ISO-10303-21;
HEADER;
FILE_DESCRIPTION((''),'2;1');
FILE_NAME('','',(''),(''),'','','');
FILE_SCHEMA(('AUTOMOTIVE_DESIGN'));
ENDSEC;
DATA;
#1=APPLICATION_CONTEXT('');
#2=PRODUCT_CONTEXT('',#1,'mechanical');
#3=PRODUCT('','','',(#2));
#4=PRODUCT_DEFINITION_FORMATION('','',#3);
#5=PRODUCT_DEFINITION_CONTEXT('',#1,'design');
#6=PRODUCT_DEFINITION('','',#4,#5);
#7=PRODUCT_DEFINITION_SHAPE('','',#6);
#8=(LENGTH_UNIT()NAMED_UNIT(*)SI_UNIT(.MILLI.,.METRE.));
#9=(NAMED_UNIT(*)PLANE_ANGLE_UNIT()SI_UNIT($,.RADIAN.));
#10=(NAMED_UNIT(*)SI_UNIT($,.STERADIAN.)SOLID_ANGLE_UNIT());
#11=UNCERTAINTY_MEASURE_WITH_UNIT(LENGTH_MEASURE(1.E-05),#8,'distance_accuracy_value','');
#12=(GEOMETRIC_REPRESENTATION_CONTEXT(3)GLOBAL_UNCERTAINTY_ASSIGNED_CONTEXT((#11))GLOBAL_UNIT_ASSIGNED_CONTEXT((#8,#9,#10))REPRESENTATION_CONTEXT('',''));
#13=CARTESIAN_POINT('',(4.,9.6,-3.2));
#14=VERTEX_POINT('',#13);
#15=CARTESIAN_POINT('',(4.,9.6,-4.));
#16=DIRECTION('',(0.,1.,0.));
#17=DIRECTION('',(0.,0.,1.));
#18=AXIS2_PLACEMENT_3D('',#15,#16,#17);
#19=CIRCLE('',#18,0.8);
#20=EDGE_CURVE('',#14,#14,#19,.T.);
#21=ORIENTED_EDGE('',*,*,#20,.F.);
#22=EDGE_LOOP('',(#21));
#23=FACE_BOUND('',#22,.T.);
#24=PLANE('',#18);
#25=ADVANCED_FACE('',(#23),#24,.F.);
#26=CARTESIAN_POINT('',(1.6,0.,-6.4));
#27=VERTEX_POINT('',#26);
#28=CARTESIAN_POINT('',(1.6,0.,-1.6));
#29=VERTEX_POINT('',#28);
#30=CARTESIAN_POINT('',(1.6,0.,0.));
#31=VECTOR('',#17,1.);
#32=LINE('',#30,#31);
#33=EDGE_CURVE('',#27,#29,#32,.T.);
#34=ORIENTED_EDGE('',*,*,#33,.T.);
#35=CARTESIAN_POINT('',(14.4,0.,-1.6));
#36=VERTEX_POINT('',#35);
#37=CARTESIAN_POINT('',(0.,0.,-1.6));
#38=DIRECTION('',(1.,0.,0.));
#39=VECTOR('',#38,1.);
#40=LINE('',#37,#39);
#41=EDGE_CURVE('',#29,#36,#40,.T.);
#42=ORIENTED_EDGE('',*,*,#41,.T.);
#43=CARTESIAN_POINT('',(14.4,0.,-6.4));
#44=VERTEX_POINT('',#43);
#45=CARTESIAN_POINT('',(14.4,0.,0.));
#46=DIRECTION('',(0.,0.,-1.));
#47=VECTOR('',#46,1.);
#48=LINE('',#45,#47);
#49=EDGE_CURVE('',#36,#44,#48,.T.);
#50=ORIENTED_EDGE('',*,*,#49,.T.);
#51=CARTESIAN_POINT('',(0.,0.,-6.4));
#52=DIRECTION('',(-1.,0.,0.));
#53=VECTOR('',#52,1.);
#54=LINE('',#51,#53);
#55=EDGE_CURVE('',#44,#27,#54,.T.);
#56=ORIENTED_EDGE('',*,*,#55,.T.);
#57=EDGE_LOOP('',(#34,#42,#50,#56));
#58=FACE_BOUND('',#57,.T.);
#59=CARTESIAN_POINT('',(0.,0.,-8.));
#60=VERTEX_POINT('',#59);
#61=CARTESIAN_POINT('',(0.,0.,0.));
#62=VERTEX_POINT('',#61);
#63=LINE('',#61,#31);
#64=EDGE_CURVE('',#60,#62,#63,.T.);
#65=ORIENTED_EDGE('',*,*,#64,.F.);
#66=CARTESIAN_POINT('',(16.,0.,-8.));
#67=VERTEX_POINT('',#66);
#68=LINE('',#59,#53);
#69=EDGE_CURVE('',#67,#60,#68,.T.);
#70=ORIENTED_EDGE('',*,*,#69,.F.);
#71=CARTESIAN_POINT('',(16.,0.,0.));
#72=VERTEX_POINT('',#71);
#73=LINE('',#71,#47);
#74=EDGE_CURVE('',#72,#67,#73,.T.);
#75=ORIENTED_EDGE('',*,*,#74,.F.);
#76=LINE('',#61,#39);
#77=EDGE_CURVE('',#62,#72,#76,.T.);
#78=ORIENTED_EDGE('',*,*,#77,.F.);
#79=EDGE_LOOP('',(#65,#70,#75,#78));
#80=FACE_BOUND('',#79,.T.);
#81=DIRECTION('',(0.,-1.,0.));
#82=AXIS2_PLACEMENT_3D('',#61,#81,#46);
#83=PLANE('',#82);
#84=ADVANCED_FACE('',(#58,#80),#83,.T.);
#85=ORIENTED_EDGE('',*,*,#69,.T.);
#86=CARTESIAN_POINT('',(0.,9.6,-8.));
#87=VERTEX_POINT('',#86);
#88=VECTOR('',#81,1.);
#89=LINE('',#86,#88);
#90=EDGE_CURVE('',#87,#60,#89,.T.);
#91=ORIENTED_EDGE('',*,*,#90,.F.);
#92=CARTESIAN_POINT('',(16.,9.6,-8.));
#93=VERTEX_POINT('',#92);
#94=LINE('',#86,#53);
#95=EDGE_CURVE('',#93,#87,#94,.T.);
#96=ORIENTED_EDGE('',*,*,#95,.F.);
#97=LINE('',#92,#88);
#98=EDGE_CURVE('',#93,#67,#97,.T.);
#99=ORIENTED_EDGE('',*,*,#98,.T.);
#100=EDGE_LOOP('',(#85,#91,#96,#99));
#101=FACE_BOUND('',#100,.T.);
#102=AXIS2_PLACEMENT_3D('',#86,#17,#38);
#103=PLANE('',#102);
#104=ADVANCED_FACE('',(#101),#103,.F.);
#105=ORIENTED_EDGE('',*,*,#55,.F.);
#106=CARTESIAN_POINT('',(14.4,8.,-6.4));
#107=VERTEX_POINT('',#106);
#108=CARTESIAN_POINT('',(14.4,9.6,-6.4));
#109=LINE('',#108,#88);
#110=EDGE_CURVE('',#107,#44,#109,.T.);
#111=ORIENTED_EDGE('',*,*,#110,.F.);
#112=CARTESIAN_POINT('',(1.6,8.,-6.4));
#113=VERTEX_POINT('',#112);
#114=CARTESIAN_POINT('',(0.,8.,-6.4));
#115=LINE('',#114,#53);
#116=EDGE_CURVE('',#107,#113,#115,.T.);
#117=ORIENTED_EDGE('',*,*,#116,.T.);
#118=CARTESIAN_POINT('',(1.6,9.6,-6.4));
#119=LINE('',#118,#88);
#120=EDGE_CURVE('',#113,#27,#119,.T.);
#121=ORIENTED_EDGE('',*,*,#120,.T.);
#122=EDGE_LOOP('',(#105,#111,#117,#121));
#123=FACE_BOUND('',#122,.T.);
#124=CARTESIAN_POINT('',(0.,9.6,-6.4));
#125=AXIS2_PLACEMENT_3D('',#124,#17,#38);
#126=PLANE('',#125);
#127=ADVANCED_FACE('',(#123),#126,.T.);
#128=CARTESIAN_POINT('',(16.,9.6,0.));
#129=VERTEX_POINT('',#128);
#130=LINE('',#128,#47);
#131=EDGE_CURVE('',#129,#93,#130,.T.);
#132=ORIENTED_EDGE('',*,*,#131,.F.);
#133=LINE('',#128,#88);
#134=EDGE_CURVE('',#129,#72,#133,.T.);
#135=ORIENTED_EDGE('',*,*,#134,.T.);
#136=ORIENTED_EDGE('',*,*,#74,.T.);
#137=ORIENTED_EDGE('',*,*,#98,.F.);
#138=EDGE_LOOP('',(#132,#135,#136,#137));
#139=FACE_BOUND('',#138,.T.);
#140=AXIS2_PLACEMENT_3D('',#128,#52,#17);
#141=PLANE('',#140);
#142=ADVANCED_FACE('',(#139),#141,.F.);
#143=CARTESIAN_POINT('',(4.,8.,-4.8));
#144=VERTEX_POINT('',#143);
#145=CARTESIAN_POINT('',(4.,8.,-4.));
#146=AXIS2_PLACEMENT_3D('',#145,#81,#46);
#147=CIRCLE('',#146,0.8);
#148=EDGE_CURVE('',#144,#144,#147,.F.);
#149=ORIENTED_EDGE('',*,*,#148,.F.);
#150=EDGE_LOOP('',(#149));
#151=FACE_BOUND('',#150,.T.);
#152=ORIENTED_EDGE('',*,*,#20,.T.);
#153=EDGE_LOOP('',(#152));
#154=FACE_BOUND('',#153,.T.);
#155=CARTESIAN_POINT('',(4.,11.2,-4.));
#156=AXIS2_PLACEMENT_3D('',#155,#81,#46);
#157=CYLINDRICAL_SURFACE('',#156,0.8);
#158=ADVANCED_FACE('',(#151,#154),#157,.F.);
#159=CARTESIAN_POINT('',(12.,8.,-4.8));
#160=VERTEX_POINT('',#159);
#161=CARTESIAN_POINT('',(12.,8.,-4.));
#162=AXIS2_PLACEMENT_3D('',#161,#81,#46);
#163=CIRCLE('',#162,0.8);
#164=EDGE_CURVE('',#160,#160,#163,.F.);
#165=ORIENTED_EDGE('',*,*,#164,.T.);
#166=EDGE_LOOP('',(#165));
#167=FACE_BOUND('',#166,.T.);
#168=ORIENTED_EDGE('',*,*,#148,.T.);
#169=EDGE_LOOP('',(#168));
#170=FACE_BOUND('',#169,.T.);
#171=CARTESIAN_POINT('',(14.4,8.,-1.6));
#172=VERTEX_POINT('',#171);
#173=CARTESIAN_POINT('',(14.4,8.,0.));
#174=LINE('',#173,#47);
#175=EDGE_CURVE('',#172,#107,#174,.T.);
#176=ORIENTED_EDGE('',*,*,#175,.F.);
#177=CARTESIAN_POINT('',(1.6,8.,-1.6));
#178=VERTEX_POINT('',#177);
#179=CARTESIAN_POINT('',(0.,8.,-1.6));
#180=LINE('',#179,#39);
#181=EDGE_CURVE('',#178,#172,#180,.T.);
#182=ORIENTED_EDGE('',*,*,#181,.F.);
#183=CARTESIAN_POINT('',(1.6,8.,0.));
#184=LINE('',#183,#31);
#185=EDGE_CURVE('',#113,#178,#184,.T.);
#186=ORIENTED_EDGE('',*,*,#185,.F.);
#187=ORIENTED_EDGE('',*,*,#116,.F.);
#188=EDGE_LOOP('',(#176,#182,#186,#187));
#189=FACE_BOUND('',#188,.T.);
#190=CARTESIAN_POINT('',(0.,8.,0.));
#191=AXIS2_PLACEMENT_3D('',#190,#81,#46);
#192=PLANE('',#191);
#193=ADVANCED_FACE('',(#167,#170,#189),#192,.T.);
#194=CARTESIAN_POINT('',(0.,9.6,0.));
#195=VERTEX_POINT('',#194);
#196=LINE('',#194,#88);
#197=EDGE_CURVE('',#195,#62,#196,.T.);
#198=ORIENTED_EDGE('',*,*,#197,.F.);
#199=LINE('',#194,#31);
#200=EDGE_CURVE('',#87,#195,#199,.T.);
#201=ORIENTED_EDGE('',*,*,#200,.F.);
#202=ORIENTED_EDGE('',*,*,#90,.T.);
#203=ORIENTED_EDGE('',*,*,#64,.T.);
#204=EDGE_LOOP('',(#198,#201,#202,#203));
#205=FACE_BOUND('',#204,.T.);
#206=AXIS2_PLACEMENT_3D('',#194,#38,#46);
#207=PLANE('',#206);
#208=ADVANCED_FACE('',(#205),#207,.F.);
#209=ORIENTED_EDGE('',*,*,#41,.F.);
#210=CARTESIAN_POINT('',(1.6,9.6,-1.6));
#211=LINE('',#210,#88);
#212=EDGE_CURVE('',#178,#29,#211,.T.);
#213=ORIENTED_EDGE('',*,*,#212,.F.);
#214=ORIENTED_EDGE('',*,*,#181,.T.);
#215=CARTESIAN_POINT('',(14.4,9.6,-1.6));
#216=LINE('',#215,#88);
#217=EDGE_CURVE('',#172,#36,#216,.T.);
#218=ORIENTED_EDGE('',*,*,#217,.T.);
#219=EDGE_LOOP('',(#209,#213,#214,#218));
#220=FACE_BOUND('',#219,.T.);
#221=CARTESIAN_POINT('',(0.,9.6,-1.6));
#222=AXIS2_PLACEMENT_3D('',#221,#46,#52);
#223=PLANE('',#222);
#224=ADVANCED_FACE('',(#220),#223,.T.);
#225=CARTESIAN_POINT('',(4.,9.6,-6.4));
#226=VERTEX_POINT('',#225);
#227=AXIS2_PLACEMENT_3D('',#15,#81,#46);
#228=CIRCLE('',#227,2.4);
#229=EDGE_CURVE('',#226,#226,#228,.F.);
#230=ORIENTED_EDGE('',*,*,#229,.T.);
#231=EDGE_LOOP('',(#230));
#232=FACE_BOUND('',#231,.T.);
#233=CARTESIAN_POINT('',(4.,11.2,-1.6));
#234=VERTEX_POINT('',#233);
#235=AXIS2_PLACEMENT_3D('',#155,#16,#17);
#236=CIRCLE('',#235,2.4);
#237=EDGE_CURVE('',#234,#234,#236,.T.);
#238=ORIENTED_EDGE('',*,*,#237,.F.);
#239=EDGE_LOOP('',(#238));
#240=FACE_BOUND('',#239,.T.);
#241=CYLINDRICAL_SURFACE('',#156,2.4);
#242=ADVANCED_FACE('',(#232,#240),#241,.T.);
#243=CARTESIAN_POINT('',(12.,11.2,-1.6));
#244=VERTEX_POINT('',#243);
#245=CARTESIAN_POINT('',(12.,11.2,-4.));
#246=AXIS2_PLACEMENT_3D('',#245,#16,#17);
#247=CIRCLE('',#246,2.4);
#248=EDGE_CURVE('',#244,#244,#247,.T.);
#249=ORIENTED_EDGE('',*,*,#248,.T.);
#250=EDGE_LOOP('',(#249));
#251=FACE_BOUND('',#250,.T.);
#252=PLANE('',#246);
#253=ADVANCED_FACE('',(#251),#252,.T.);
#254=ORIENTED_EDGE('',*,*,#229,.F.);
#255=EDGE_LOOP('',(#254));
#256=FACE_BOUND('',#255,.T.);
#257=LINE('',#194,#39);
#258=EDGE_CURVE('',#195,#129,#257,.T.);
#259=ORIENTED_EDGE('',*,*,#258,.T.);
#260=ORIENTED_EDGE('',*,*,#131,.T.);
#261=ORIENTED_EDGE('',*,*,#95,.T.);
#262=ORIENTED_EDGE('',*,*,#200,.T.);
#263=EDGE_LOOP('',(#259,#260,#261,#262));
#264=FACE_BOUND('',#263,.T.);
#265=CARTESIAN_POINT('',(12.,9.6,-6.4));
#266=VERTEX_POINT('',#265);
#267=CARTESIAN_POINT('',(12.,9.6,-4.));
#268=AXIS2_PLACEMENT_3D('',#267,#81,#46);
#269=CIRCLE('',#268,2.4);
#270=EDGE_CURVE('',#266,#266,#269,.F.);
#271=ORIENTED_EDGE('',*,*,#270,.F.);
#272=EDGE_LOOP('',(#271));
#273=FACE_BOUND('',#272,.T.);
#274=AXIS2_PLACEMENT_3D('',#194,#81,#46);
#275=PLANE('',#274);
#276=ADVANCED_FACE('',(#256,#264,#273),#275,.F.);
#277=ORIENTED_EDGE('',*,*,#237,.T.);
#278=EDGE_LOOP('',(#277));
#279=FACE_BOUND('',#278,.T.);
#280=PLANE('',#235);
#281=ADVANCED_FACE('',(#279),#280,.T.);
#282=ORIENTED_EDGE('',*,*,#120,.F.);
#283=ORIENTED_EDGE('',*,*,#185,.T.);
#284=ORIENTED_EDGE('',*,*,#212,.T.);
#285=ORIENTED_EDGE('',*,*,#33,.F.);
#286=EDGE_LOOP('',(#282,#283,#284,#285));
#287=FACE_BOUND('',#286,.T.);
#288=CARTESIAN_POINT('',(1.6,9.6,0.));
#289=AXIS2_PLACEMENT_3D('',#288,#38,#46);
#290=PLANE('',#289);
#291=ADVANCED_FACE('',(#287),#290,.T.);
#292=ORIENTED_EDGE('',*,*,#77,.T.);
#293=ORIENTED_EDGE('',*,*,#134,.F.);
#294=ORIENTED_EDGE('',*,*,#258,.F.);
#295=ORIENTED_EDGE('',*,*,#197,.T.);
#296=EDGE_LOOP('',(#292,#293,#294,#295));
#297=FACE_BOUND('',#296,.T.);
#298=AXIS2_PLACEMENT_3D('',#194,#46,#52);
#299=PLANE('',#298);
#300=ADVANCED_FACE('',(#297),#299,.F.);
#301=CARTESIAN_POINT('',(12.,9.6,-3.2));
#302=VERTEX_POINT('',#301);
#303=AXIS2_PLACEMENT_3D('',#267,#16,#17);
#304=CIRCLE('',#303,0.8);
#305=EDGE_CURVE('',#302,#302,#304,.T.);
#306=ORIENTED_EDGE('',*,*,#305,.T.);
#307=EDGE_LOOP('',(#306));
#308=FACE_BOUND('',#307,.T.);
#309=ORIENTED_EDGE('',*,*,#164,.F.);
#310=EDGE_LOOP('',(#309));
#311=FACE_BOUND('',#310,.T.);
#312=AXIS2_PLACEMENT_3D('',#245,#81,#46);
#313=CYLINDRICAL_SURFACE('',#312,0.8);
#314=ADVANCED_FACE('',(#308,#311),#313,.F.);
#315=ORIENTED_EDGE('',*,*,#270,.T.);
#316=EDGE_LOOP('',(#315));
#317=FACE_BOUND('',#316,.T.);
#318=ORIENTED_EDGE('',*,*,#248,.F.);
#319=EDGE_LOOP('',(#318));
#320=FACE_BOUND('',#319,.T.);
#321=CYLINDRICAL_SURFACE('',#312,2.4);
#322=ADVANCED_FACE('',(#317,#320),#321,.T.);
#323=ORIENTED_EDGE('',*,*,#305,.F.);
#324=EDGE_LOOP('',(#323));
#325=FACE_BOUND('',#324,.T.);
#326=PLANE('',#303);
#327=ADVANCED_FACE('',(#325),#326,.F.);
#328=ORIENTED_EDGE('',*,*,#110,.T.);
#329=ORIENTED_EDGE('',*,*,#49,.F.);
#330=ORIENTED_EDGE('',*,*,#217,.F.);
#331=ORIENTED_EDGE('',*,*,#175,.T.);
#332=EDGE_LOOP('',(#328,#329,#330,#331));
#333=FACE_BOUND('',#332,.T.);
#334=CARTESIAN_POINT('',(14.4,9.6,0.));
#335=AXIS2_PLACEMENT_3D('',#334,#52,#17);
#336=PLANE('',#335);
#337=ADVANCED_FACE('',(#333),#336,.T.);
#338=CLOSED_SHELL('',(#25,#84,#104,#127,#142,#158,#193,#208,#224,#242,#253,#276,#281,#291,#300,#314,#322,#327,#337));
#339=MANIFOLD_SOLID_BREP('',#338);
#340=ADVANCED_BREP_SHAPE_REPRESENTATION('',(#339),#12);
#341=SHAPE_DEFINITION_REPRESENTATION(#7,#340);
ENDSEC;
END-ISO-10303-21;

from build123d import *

# Parameters (mm, degrees)
SKETCH1_W            = 16
SKETCH1_H            = 8
BOSS_EXTRUDE1_DEPTH  = 9.6
SKETCH2_R            = 2.4
BOSS_EXTRUDE2_DEPTH  = 1.6
LPATTERN1_COUNT      = 2
LPATTERN1_PITCH      = 8
LPATTERN1_COUNT_DIR2 = 4
LPATTERN1_PITCH_DIR2 = 8
SHELL1_T             = -1.6


with BuildPart() as part:
    # Sketch1 → Boss-Extrude1 (new body)
    with BuildSketch(Plane(origin=(0, 0, 0), x_dir=(1, 0, 0), z_dir=(0, 1, 0))):
        with Locations((8, 4)):
            Rectangle(SKETCH1_W, SKETCH1_H)
    extrude(amount=BOSS_EXTRUDE1_DEPTH)

    # Sketch2 → Boss-Extrude2 (add)
    with BuildSketch(Plane(origin=(0, 9.6, 0), x_dir=(1, 0, 0), z_dir=(0, 1, 0))):
        with Locations(Location((12, 4, 0), (0, 0, 90))):
            Circle(SKETCH2_R)
    boss_extrude2 = extrude(amount=BOSS_EXTRUDE2_DEPTH)

    # LPattern1: Boss-Extrude2 2 × 4, 6 skipped
    with Locations(*[(-i * LPATTERN1_PITCH, 0, -j * LPATTERN1_PITCH_DIR2) for i in range(LPATTERN1_COUNT) for j in range(LPATTERN1_COUNT_DIR2) if (i, j) not in ((0, 0), (0, 1), (0, 2), (0, 3), (1, 1), (1, 2), (1, 3))]):
        add(boss_extrude2)

    # Shell1
    shell1_openings = [part.faces().sort_by_distance(p)[0] for p in [
        (8, 0, -4),
    ]]
    offset(amount=SHELL1_T, openings=shell1_openings, kind=Kind.INTERSECTION)


solid = part.part
